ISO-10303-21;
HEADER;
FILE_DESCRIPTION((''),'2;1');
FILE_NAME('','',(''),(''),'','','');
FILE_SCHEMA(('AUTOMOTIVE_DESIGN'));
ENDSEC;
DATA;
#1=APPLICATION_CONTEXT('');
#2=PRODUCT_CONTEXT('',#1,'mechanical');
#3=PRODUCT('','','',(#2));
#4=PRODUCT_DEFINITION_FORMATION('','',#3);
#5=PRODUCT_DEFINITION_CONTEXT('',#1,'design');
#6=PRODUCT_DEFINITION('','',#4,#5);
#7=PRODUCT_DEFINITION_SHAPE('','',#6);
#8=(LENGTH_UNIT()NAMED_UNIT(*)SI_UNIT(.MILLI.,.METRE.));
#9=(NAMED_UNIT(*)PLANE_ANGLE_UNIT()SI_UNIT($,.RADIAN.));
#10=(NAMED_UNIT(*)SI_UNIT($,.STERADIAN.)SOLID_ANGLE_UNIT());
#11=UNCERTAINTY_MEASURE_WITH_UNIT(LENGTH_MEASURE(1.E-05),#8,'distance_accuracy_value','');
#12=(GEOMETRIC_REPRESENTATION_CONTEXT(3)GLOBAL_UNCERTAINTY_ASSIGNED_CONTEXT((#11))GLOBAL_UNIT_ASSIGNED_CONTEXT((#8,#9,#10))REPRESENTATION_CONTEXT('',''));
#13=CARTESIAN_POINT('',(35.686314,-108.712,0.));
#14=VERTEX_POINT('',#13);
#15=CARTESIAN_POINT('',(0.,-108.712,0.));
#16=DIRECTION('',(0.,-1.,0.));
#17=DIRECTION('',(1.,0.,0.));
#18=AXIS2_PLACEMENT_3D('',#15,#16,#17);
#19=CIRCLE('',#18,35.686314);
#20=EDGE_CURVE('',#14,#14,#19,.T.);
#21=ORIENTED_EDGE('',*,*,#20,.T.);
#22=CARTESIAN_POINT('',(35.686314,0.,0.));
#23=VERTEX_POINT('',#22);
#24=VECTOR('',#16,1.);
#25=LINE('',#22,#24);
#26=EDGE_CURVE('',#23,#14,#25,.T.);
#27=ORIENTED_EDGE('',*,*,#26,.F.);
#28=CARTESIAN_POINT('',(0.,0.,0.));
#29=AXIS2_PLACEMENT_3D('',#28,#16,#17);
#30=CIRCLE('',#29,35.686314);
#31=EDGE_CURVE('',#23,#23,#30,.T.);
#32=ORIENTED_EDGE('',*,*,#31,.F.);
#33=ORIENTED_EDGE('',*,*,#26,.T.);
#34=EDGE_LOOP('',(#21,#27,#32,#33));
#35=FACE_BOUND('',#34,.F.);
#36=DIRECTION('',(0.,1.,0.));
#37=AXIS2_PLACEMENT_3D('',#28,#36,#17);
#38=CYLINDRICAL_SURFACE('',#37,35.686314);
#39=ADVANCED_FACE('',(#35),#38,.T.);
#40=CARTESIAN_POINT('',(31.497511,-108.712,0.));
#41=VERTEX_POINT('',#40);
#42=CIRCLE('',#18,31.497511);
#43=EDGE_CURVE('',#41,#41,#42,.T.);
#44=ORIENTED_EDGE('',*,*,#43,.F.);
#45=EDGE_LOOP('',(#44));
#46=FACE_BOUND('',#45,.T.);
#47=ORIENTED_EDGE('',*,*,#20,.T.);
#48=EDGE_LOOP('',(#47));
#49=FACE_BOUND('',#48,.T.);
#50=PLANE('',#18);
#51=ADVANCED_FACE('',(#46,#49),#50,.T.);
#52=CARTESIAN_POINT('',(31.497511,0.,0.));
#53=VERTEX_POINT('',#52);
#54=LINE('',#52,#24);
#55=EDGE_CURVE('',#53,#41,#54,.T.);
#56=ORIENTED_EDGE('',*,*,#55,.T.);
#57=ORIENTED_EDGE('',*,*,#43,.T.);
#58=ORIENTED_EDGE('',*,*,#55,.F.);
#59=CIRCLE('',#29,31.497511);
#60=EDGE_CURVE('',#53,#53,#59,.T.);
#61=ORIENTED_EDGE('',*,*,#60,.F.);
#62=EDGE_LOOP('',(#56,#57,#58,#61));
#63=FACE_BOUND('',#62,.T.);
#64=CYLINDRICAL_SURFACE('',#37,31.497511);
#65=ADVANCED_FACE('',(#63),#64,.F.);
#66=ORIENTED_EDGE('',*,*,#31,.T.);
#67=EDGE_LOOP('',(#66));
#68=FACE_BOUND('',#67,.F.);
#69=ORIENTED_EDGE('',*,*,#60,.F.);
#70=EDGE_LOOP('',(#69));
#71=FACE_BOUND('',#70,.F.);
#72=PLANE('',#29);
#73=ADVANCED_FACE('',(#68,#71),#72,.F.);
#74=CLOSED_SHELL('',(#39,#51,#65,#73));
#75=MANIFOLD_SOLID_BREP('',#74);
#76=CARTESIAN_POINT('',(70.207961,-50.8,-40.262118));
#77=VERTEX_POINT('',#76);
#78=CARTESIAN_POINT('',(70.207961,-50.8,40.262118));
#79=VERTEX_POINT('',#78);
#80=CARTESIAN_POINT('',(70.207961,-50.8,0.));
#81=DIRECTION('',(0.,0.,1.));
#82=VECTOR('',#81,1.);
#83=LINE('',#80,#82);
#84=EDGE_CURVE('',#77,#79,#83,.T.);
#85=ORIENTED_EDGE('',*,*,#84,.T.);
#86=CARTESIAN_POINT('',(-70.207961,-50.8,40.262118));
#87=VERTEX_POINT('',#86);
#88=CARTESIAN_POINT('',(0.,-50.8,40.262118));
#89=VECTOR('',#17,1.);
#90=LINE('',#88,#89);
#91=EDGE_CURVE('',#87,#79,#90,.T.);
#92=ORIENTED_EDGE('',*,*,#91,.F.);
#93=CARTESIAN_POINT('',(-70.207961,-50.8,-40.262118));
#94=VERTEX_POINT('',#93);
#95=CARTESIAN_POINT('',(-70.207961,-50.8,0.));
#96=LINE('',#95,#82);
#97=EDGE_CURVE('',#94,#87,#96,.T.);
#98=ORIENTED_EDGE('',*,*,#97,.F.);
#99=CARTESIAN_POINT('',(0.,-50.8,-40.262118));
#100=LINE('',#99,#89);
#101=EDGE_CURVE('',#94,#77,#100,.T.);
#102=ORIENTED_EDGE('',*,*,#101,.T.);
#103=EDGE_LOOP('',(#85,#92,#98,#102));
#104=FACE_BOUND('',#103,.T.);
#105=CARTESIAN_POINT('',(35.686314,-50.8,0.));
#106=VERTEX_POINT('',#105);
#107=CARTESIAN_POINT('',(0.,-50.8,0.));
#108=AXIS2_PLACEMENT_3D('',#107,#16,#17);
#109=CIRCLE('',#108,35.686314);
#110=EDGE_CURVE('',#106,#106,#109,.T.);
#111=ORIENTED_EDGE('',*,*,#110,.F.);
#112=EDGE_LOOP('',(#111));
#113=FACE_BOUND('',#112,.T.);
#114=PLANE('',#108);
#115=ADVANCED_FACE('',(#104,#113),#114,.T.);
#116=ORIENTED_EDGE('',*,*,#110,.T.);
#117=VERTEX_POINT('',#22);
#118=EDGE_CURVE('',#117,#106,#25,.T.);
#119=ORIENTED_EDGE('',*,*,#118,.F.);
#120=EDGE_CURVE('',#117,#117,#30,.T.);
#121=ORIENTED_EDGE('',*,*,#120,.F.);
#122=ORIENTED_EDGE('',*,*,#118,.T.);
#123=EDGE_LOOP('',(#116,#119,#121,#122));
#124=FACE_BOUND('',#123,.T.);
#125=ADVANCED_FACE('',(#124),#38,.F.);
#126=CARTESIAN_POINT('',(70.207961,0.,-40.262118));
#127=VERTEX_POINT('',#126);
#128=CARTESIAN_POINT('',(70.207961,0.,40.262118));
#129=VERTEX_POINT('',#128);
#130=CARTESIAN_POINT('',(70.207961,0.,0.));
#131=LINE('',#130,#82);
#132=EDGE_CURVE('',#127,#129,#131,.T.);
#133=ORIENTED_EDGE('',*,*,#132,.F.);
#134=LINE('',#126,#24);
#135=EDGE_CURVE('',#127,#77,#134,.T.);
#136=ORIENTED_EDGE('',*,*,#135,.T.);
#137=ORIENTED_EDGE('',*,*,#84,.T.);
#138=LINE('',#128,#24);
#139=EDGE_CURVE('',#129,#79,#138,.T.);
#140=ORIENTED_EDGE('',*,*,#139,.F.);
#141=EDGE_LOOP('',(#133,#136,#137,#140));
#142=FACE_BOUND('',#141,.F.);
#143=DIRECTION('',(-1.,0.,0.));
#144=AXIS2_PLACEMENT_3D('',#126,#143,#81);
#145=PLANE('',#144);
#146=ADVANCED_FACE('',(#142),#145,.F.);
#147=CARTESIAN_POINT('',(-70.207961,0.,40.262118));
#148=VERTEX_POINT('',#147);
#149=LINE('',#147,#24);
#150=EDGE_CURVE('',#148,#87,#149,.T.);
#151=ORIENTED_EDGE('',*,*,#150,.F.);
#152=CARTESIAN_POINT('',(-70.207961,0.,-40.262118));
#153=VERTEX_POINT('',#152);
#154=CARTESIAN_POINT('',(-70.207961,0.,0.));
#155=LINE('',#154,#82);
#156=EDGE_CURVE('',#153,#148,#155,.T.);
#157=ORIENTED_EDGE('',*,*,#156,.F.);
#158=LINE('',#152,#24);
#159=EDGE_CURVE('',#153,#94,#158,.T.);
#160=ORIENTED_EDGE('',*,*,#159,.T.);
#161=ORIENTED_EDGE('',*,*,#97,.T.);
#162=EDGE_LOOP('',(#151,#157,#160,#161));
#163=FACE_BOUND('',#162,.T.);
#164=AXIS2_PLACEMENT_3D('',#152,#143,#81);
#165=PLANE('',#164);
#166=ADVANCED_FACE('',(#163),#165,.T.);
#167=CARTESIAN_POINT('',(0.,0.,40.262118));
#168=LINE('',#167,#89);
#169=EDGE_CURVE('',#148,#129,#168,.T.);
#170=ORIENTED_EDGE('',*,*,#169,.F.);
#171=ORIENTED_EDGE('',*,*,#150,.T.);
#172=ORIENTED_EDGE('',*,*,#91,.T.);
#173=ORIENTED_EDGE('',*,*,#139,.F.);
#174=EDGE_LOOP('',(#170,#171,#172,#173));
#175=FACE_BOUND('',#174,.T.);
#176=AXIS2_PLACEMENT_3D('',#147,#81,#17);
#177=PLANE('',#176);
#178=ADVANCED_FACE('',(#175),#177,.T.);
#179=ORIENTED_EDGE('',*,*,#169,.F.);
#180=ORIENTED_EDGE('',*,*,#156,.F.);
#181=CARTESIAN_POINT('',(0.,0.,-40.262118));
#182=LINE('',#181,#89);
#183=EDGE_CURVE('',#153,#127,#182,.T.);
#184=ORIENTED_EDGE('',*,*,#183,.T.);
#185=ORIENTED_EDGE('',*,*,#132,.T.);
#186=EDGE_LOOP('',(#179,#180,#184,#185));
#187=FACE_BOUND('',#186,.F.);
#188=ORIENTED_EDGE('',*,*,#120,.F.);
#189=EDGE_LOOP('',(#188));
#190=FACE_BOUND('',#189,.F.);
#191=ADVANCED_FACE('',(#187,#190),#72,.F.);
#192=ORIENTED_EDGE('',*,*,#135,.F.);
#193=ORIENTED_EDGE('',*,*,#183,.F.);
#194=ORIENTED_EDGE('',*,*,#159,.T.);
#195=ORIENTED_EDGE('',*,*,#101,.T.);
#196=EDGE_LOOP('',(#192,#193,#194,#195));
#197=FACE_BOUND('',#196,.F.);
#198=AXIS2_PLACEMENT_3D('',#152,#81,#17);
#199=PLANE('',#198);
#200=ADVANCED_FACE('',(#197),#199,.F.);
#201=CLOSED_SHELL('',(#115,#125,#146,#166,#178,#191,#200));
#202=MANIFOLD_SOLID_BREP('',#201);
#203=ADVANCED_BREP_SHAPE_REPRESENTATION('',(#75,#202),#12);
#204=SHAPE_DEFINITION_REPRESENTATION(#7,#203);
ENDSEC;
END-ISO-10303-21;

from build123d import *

# Parameters (mm, degrees)
F0_W     = 140.415922
F0_H     = 80.524236
F0_R     = 35.686314
F1_DEPTH = 50.8
F0_R_2   = 31.497511
F2_DEPTH = 108.712


with BuildPart() as f1:
    # F0 (on Front) → F1 (new body)
    with BuildSketch(Plane.XZ):
        Rectangle(F0_W, F0_H)
        Circle(F0_R, mode=Mode.SUBTRACT)
    extrude(amount=F1_DEPTH)


with BuildPart() as f2:
    # F0 (on Front) → F2 (new body)
    with BuildSketch(Plane.XZ):
        Circle(F0_R)
        Circle(F0_R_2, mode=Mode.SUBTRACT)
    extrude(amount=F2_DEPTH)


solid = Compound([f1.part, f2.part])
